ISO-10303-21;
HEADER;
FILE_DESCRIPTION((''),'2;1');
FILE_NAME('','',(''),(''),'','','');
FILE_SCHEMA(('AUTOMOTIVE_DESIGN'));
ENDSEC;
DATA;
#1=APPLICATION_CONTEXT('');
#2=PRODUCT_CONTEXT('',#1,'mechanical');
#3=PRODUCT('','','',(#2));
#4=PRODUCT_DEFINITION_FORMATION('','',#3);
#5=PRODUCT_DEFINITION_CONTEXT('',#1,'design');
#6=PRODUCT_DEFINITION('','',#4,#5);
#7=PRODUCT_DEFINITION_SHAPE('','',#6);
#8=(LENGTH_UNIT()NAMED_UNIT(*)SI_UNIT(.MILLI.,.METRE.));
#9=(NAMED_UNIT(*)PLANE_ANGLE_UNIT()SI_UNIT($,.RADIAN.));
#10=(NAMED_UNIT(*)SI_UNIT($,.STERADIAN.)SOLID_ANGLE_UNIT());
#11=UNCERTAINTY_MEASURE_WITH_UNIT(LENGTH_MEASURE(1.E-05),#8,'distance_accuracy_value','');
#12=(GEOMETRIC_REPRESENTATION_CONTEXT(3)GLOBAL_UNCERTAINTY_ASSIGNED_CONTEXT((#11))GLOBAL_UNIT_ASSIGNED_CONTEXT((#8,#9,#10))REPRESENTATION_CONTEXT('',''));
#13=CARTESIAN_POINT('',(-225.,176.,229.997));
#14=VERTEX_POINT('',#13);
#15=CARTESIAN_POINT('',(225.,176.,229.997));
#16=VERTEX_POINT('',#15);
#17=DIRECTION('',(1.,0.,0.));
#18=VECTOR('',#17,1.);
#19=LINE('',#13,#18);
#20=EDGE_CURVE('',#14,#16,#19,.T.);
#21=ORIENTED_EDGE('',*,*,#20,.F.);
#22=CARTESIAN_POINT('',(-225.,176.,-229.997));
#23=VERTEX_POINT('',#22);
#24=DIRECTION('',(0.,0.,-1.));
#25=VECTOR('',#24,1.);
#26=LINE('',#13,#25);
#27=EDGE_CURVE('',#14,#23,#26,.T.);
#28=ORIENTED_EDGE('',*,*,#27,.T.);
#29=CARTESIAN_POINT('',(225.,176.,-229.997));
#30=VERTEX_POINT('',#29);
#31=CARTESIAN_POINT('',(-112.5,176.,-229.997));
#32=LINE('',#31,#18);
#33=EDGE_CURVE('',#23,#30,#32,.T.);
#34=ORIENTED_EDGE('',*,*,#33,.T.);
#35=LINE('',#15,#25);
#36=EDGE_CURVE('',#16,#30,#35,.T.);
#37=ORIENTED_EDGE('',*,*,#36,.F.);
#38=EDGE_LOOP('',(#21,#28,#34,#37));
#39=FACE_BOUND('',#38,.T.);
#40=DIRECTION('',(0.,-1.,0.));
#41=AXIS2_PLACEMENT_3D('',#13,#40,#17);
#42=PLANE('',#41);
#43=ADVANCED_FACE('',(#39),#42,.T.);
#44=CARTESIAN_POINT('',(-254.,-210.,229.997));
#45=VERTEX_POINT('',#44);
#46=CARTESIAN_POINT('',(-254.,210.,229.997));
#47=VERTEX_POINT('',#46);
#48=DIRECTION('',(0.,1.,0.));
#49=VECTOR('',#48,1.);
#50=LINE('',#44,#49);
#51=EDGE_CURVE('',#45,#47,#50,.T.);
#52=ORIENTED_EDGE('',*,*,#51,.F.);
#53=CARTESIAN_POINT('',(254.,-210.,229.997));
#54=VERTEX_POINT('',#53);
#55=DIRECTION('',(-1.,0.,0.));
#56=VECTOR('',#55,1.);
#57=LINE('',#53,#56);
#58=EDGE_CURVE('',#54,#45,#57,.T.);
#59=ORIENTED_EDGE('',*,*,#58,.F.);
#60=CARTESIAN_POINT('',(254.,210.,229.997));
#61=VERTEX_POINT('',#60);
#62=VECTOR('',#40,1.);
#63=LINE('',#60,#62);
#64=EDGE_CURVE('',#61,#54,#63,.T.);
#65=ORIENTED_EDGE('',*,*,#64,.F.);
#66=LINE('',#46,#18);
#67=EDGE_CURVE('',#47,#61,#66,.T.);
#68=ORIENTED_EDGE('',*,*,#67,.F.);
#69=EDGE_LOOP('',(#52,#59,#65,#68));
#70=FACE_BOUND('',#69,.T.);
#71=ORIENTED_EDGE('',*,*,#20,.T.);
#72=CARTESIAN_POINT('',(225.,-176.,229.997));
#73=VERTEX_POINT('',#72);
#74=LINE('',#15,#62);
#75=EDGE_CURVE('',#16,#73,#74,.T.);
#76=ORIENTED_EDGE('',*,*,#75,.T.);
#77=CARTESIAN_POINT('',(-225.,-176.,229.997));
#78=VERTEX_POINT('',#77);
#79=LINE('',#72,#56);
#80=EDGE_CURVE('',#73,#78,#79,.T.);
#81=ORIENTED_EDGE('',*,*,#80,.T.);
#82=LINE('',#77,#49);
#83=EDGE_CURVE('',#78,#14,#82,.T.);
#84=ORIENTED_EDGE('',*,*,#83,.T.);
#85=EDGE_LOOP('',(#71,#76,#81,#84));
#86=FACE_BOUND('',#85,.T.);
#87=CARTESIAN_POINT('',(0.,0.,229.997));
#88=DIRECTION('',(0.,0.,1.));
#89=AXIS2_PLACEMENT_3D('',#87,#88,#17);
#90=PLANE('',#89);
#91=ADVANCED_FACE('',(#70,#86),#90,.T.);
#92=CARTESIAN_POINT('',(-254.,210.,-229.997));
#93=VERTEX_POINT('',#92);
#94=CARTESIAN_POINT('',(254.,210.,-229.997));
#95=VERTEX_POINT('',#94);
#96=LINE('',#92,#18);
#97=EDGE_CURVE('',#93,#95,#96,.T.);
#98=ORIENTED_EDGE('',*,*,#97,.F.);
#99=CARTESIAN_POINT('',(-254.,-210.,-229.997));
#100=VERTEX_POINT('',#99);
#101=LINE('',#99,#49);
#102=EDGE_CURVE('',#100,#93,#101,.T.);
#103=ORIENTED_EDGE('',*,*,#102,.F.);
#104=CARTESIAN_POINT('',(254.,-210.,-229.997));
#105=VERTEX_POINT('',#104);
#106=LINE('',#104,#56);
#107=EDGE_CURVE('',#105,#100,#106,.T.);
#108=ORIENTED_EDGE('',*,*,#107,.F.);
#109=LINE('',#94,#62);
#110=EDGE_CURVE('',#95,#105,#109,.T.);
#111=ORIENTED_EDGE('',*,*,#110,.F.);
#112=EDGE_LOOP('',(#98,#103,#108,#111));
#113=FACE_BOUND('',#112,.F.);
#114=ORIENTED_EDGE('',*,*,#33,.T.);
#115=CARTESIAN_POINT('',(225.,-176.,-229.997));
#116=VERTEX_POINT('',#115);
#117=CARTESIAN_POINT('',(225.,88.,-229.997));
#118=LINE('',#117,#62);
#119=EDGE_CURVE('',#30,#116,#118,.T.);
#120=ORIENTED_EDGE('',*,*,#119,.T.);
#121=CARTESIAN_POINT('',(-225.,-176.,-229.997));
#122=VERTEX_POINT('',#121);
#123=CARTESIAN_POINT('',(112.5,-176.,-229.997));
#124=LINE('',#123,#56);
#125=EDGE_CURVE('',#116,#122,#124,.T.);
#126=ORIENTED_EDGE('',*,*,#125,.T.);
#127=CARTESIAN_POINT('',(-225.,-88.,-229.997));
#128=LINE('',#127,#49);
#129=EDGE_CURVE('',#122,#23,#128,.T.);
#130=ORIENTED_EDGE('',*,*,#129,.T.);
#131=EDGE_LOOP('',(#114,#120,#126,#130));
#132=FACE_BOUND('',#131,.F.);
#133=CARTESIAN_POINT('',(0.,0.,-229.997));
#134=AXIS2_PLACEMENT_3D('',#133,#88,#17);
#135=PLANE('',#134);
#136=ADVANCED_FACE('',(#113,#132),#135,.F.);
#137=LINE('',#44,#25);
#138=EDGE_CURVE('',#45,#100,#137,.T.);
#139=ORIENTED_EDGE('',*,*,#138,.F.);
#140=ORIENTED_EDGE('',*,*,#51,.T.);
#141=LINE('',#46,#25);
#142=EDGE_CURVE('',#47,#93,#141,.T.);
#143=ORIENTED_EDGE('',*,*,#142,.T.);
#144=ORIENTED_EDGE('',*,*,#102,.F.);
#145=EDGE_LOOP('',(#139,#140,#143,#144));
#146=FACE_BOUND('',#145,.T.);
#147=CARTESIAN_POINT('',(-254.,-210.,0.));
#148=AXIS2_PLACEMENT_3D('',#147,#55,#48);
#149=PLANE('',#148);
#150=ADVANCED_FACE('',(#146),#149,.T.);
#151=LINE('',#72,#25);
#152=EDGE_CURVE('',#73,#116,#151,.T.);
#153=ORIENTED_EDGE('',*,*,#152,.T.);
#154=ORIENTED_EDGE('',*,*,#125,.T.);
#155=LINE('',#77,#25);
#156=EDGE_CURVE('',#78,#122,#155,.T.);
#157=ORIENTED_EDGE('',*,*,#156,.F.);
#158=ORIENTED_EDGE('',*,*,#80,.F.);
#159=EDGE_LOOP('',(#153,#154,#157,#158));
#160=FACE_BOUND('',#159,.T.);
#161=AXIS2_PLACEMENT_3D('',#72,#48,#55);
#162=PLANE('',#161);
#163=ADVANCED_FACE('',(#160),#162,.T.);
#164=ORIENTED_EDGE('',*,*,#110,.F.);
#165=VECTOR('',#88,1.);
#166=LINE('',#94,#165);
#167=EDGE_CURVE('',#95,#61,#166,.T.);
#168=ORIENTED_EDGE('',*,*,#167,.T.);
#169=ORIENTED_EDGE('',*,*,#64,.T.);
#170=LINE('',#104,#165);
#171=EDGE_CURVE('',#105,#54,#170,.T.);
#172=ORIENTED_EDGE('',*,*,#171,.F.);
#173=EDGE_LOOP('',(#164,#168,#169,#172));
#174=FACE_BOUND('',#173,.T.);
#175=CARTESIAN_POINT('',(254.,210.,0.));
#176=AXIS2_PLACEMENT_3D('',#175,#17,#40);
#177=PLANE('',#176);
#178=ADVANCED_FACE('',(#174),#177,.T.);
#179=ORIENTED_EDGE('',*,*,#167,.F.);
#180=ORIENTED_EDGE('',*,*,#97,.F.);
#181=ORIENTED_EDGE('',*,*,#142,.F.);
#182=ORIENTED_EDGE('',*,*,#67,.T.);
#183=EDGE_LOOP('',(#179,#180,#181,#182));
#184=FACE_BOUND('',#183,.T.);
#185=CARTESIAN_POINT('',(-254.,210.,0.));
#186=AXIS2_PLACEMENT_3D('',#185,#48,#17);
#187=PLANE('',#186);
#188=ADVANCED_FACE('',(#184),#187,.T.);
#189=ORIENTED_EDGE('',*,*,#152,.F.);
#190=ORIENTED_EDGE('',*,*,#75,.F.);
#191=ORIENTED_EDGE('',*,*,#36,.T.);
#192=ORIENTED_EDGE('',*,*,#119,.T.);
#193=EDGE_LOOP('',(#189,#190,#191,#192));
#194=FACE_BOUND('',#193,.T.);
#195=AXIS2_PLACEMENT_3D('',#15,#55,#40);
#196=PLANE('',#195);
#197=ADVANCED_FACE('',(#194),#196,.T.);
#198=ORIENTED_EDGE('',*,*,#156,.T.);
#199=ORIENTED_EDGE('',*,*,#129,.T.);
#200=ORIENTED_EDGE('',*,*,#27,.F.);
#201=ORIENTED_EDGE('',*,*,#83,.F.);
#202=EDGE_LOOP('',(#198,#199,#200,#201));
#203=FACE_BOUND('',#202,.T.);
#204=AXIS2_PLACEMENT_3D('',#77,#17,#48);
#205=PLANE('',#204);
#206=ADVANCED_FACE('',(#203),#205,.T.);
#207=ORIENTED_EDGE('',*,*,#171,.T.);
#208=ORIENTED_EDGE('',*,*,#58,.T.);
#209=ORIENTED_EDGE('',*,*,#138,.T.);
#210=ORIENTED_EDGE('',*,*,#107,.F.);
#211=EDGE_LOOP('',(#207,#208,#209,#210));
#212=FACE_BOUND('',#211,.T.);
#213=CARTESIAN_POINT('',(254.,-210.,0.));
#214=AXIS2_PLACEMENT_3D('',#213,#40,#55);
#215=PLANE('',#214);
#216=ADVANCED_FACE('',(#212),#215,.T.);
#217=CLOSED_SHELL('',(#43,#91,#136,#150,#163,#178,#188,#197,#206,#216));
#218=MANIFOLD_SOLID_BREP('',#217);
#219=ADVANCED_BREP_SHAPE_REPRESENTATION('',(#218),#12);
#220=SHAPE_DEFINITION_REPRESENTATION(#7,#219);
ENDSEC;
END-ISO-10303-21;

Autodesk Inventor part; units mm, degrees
ref_plane "YZ Plane" through (0, 0, 0) normal (1, 0, 0) x (0, 1, 0)
ref_plane "XZ Plane" through (0, 0, 0) normal (0, 1, 0) x (-1, 0, 0)
ref_plane "XY Plane" through (0, 0, 0) normal (0, 0, 1) x (1, 0, 0)
sketch "Sketch1" plane through (0, 0, 0) normal (0, 0, 1) x (1, 0, 0)
  line L0 (0, 294) -> (0, -294) construction
  line L1 (-355.6, 0) -> (355.6, 0) construction
  line L2 (254, -210) -> (-254, -210)
  line L3 (-254, -210) -> (-254, 210)
  line L4 (-254, 210) -> (254, 210)
  line L5 (254, 210) -> (254, -210)
  line L6 (254, -210) -> (-254, 210) construction
  line L7 (-254, -210) -> (254, 210) construction
  point P0 (0, 0)
  dimension "d4" = 420
  dimension "d5" = 508
extrude "Extrusion3" add sketch "Sketch1" along normal mid plane 459.994
sketch "Sketch2" plane through (0, 0, 229.997) normal (0, 0, 1) x (1, 0, 0)
  line L0 (225, -176) -> (-225, -176)
  line L1 (-225, -176) -> (-225, 176)
  line L2 (-225, 176) -> (225, 176)
  line L3 (225, 176) -> (225, -176)
  line L4 (225, -176) -> (-225, 176) construction
  line L5 (-225, -176) -> (225, 176) construction
  point P0 (0, 0)
  dimension "d8" = 450
  dimension "d9" = 352
extrude "Extrusion4" cut sketch "Sketch2" against normal through all
properties part number "17-0028-0033" material "Steel, constructie staal"
